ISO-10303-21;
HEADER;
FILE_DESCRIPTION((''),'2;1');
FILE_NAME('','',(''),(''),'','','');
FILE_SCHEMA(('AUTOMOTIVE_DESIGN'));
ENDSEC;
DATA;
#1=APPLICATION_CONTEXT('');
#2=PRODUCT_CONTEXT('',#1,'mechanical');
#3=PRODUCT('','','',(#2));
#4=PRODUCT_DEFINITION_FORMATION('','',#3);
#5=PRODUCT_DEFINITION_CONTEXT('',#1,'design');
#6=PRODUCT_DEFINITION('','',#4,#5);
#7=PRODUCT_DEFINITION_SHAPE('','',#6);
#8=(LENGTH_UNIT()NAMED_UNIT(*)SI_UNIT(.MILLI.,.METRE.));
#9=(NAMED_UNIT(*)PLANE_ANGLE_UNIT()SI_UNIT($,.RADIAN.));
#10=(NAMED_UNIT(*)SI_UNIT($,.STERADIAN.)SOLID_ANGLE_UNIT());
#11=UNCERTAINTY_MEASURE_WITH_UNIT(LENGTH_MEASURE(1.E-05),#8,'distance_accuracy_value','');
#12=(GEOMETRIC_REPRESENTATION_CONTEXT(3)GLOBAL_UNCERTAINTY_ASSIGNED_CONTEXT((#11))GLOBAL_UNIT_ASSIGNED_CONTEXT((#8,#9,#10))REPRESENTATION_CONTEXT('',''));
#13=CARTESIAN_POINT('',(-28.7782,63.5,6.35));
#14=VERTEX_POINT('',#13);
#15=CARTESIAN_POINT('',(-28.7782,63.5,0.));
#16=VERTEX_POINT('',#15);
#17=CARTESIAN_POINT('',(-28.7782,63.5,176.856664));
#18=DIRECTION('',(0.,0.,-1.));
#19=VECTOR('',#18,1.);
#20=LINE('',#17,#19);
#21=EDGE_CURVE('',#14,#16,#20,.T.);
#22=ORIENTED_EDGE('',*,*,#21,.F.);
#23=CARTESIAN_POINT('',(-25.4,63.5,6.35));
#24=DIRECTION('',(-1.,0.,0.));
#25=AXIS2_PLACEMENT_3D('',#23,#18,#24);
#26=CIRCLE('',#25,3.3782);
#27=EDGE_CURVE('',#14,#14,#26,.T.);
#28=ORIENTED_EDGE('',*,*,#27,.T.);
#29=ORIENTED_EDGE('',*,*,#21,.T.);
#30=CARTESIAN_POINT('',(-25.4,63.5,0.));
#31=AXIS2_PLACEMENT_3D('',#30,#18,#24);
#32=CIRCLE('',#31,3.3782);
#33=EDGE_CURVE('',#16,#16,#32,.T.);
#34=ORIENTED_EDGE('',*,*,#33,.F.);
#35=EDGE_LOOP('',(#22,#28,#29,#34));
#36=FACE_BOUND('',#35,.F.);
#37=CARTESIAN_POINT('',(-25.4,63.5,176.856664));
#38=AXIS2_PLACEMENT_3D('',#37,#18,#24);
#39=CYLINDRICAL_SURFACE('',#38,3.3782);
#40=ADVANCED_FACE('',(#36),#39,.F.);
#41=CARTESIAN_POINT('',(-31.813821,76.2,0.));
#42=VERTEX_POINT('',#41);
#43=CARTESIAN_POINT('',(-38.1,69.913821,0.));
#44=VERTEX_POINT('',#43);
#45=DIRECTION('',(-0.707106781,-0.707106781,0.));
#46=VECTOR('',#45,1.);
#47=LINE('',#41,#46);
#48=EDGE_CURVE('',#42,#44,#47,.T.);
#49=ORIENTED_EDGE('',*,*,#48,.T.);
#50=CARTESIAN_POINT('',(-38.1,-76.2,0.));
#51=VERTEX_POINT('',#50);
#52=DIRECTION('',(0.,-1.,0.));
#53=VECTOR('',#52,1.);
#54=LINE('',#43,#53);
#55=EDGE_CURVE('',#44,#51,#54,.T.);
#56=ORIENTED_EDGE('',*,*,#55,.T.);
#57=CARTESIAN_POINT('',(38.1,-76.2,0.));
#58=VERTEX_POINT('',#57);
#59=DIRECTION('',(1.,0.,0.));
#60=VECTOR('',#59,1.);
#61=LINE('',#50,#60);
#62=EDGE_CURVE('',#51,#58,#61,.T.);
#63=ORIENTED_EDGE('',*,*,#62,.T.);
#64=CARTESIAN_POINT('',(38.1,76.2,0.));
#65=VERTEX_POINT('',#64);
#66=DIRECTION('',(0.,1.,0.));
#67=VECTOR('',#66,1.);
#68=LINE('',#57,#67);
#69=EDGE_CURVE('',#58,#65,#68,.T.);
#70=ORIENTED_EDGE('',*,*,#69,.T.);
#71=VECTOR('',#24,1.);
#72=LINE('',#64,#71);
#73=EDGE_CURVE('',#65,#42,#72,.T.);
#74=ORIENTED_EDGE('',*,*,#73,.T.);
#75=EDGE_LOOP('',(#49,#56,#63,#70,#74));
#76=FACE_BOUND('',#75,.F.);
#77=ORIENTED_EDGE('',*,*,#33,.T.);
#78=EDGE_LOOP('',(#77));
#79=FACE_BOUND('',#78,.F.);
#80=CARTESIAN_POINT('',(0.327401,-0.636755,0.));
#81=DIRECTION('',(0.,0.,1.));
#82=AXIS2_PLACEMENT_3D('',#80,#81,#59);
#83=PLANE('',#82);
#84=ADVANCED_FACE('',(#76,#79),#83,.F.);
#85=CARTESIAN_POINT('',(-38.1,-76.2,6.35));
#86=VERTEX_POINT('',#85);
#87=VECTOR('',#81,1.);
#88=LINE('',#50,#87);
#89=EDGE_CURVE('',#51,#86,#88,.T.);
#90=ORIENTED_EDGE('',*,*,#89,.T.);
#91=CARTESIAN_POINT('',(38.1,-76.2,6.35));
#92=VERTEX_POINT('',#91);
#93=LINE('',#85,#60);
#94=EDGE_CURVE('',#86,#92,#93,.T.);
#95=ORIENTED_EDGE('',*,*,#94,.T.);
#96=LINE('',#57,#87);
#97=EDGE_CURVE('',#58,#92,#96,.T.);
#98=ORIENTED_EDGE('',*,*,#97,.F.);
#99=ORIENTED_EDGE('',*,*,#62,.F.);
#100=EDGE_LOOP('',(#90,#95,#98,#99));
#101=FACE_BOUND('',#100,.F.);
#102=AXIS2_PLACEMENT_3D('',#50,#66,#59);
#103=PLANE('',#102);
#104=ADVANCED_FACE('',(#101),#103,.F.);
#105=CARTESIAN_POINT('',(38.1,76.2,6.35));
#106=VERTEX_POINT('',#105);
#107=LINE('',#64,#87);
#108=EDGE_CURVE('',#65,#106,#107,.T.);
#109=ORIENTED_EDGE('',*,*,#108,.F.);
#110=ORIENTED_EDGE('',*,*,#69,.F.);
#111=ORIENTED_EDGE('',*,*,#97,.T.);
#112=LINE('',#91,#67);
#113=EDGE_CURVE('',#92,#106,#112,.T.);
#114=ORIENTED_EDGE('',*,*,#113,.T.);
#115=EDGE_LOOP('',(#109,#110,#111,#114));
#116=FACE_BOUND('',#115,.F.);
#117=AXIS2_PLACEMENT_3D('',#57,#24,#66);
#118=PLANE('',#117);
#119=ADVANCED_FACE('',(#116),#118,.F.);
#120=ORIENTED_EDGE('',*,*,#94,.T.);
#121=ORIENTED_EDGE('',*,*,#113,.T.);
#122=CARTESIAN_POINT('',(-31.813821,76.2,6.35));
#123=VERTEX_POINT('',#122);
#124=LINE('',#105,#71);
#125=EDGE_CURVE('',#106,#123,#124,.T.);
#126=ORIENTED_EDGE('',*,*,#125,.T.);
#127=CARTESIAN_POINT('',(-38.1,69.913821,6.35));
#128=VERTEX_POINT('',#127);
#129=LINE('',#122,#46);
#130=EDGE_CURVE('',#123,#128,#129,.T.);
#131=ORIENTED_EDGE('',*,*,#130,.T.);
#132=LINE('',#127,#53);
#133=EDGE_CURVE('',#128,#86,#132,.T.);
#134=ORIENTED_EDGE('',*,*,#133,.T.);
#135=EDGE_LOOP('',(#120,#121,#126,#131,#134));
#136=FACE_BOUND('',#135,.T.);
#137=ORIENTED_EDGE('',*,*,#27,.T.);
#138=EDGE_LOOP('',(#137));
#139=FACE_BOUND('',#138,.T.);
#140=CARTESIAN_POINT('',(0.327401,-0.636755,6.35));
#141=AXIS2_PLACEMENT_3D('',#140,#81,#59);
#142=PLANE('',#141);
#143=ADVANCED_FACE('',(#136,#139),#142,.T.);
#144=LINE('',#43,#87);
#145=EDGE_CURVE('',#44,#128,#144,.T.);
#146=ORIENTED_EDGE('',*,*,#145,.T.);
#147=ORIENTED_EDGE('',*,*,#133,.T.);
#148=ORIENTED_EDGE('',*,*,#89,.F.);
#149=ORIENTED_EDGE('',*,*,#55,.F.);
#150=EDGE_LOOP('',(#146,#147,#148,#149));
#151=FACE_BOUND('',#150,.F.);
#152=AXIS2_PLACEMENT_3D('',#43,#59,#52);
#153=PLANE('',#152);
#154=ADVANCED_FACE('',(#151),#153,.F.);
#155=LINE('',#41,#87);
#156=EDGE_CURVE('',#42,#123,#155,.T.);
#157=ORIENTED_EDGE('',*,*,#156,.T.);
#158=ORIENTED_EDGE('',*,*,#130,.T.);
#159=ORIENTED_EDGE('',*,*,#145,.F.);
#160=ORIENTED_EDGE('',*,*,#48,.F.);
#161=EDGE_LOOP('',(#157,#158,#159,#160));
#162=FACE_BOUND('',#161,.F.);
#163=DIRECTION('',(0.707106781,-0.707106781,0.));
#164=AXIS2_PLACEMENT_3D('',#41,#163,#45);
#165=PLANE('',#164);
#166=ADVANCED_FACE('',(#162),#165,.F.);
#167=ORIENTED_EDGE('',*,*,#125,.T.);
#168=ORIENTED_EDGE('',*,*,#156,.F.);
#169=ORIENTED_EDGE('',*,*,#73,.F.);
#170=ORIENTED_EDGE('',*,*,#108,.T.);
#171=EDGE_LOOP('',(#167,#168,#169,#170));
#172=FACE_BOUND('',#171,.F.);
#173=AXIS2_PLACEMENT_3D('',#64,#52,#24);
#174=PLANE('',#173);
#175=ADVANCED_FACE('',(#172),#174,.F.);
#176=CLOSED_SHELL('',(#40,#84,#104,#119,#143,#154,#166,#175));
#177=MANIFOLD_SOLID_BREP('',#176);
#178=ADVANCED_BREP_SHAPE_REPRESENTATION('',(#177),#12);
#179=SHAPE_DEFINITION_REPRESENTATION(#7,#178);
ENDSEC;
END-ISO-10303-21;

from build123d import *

# Parameters (mm, degrees)
F1_DEPTH = 6.35
F3_D     = 6.7564


with BuildPart() as f1:
    # F0 (on Top) → F1 (new body)
    with BuildSketch(Plane.XY):
        Polygon((38.1, 76.2), (-31.8138207153, 76.2), (-38.1, 69.9138207153), (-38.1, -76.2), (38.1, -76.2), align=None)
    extrude(amount=F1_DEPTH)

    # F3 (through all)
    with Locations(Plane.XY.offset(6.35)):
        with Locations((-25.4, 63.5)):
            Hole(F3_D / 2)


solid = f1.part
